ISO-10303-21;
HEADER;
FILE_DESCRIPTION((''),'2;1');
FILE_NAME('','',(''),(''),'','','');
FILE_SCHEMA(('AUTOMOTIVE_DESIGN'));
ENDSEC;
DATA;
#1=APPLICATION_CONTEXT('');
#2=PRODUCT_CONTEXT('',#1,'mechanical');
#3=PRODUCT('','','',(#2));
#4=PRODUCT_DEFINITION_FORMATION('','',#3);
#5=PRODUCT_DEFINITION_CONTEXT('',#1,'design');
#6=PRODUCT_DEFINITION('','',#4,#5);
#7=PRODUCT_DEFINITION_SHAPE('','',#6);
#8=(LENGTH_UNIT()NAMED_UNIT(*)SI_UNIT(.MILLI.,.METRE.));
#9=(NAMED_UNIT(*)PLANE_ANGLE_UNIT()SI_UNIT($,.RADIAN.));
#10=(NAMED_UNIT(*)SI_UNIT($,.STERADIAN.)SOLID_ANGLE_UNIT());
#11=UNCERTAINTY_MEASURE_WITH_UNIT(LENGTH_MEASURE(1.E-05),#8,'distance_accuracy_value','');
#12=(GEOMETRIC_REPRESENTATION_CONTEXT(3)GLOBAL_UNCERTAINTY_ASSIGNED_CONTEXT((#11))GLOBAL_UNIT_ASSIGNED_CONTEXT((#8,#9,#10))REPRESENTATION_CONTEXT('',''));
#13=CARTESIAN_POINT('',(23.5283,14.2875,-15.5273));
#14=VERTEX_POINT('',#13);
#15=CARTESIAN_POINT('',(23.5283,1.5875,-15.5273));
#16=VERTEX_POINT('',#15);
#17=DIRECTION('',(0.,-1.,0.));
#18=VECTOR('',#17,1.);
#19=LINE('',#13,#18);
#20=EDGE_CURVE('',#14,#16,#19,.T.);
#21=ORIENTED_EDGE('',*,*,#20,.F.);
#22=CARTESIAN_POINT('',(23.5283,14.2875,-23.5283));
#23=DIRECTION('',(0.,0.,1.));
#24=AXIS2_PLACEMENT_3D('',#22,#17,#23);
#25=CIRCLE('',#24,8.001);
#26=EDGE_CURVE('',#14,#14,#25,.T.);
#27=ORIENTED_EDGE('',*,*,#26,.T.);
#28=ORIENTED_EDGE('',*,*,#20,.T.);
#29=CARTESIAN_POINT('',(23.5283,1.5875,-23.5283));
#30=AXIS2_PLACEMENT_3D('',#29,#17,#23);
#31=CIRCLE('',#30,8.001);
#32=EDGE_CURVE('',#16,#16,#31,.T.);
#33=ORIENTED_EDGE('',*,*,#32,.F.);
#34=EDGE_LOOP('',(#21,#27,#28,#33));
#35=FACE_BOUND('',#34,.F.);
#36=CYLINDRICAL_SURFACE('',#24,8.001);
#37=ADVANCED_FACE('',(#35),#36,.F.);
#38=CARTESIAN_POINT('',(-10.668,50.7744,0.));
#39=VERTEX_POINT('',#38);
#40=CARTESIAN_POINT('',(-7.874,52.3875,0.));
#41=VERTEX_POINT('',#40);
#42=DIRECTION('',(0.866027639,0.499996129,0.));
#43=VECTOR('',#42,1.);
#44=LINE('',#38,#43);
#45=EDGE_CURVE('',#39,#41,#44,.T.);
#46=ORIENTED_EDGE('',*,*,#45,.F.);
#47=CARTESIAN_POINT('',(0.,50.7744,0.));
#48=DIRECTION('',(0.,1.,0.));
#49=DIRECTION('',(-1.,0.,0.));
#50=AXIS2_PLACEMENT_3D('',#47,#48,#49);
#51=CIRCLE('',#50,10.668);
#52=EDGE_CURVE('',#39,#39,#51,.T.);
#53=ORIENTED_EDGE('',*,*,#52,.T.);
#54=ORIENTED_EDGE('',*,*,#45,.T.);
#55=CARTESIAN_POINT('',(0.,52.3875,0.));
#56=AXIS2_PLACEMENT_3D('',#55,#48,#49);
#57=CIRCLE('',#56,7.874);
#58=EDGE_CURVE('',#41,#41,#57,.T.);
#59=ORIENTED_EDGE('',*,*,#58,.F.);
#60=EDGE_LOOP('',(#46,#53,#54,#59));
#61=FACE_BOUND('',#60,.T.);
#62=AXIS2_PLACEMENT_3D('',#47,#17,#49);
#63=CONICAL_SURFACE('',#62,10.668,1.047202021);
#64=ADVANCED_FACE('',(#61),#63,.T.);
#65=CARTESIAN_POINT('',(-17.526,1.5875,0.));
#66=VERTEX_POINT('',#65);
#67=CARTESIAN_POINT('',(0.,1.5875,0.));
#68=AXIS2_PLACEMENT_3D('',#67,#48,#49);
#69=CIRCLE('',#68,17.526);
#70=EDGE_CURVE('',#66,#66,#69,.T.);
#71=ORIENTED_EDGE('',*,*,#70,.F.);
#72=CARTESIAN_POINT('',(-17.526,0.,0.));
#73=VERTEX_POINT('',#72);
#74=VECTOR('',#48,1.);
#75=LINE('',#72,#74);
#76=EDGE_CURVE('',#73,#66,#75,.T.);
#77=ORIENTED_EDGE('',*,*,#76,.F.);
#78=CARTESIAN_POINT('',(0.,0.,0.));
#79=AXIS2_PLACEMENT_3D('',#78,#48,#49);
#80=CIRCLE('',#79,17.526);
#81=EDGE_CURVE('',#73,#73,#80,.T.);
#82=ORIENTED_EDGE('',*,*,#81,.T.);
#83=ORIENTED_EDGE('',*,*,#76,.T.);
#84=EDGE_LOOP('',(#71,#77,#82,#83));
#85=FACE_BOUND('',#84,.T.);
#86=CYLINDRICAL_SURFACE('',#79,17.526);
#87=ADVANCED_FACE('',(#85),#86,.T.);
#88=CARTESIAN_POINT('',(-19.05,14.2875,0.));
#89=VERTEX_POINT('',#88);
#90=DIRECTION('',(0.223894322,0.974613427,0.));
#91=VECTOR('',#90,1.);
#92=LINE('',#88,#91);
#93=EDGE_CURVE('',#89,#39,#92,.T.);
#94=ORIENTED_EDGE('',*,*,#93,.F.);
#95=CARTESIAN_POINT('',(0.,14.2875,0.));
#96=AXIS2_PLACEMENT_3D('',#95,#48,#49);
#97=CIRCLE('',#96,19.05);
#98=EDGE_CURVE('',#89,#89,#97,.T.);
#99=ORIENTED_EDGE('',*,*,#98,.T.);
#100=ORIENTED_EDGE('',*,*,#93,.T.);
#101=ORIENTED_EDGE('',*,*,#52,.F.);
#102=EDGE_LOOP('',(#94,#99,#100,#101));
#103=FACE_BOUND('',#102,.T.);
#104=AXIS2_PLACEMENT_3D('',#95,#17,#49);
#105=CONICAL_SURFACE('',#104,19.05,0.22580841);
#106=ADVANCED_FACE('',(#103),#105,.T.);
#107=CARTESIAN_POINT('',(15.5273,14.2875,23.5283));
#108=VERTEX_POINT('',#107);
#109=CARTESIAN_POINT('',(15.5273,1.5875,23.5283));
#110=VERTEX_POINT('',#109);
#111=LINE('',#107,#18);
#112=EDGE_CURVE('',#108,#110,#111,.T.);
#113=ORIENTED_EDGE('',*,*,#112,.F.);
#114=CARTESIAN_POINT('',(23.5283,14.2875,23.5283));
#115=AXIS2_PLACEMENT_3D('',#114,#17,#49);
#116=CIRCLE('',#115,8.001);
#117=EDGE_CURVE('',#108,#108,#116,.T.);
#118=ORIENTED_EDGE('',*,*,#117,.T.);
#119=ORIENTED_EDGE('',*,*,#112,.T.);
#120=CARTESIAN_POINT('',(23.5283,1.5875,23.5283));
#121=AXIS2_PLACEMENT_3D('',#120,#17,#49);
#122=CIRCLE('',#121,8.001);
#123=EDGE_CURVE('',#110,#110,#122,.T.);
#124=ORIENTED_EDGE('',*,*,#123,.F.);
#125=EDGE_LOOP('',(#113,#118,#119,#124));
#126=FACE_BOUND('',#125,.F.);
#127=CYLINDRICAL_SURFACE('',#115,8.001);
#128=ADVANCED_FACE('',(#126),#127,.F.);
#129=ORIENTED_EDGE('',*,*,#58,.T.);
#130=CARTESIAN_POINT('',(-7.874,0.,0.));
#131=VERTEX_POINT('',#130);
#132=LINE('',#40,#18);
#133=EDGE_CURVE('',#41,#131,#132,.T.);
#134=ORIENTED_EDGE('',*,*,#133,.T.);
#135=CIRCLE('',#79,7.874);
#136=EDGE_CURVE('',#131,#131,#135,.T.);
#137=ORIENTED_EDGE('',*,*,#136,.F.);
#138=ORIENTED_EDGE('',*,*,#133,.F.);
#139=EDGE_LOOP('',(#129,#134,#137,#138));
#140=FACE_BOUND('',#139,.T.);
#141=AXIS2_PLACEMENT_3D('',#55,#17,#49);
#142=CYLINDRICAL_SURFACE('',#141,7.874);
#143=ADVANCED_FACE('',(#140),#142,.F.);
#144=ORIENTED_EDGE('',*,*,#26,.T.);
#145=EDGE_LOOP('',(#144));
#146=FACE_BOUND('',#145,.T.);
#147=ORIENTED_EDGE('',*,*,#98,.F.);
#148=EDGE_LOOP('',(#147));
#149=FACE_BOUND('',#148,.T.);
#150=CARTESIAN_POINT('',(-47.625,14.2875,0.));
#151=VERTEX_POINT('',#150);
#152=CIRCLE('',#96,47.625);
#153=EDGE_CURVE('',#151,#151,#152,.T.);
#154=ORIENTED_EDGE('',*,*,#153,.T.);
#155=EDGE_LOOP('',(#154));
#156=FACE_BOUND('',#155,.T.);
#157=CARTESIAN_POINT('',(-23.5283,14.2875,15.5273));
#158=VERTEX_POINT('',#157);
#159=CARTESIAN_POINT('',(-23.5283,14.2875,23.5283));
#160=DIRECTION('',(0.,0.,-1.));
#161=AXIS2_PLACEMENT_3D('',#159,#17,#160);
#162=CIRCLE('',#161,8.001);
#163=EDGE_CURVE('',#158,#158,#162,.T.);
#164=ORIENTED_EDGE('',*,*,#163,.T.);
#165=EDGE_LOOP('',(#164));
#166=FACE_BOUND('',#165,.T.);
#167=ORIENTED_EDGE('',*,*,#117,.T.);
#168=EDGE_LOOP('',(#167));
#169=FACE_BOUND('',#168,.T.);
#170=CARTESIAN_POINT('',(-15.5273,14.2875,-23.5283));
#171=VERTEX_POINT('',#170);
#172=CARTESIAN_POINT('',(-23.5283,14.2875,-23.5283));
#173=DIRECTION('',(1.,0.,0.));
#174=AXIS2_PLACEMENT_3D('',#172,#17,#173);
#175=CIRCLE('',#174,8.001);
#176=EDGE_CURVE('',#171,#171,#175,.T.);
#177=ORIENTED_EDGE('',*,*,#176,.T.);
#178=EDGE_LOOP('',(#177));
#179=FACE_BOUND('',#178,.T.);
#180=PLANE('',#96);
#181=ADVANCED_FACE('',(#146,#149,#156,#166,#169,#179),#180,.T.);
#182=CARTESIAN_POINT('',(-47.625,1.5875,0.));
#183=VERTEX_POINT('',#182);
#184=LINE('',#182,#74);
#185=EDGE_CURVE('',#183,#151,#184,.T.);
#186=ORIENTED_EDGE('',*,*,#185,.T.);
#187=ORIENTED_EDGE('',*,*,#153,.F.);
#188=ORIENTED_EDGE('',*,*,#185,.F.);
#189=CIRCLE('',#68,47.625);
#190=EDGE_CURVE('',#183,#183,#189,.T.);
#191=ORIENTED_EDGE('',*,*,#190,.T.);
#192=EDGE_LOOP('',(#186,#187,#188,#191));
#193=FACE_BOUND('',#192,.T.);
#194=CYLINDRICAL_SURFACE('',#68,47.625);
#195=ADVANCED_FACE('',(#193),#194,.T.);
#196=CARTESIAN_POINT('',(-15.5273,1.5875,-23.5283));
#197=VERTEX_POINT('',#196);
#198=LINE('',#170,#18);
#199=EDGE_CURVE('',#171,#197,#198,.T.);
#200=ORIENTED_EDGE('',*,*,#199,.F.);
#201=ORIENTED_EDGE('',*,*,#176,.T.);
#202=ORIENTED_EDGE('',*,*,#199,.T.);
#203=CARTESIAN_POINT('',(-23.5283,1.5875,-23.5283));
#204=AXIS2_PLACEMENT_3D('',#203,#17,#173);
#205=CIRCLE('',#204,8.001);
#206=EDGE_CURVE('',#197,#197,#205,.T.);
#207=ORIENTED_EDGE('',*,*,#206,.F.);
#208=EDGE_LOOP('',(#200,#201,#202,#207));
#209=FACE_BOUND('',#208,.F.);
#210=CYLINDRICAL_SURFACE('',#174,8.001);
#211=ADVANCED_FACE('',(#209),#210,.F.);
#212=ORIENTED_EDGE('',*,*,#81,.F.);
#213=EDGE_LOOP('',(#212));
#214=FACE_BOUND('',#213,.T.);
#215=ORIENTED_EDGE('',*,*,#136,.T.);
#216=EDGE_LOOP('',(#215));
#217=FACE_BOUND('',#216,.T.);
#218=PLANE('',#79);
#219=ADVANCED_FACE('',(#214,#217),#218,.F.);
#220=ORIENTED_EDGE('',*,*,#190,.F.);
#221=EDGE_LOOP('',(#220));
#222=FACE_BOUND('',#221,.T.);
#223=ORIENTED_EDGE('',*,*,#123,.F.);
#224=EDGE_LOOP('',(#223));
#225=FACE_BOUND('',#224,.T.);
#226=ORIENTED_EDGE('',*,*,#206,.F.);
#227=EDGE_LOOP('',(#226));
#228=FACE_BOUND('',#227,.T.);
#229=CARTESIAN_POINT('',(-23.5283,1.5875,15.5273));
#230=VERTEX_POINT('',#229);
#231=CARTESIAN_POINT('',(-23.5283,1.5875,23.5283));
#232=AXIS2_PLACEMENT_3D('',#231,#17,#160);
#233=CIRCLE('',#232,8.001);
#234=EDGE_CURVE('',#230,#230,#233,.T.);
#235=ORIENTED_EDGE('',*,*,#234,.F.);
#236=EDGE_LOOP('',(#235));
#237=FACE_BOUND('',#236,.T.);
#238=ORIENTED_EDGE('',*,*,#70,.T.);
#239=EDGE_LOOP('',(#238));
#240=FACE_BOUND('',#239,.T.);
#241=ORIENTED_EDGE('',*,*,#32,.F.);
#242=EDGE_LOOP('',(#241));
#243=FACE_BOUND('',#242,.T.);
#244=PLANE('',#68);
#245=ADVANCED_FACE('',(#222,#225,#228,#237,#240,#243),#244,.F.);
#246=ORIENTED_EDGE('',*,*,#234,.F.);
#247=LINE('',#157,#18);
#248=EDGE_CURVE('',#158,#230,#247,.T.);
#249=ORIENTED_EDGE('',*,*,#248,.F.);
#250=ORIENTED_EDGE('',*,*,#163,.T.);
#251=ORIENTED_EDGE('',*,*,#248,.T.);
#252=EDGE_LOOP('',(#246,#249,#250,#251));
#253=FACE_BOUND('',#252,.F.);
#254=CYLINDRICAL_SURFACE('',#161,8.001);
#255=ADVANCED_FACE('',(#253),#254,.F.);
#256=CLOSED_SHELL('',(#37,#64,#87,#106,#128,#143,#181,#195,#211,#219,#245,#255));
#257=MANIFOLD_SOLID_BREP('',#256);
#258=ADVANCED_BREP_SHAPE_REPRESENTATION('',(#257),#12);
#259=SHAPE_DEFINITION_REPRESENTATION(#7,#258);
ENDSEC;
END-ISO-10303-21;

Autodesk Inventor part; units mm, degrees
ref_plane "YZ Plane" through (0, 0, 0) normal (1, 0, 0) x (0, 1, 0)
ref_plane "XZ Plane" through (0, 0, 0) normal (0, 1, 0) x (-1, 0, 0)
ref_plane "XY Plane" through (0, 0, 0) normal (0, 0, 1) x (1, 0, 0)
sketch "Sketch1" plane through (0, 0, 0) normal (0, 0, 1) x (1, 0, 0)
  line L0 (0, 0) -> (0, 52.3875) construction
  line L1 (-7.874, 52.3875) -> (-7.874, 0)
  line L2 (-7.874, 0) -> (-17.526, 0)
  line L3 (-17.526, 0) -> (-17.526, 1.5875)
  line L4 (-17.526, 1.5875) -> (-47.625, 1.5875)
  line L5 (-47.625, 1.5875) -> (-47.625, 14.2875)
  line L6 (-47.625, 14.2875) -> (-19.05, 14.2875)
  line L7 (-19.05, 14.2875) -> (-10.668, 50.7744)
  line L8 (-10.668, 50.7744) -> (-7.874, 52.3875)
  line L9 (-33.274, 14.2875) -> (-33.274, 1.5875) construction
  dimension "WB" = 15.748
  dimension "d1" = 1.5875
  dimension "WL" = 50.8
  dimension "Thickness" = 12.7
  dimension "R" = 35.052
  dimension "OD" = 95.25
  dimension "HB" = 38.1
  dimension "HT" = 21.336
  dimension "d8" = 60
  dimension "BC" = 66.548
revolve "Revolution1" add sketch "Sketch1" angle 360 about axis through (0, 0, 0) along (0, 1, 0)
sketch "Sketch2" plane through (0, 14.2875, 0) normal (0, 1, 0) x (1, 0, 0)
  line L0 (0, 0) -> (0, 47.625) construction
  circle A0 centre (0, 0) radius 47.625 projected
  line L1 (0, 0) -> (23.5283, 23.5283) construction
  dimension "d11" = 45
  dimension "d12" = 33.274
hole "Hole1" at (23.5283, 14.2875, -23.5283) direction (0, -1, 0) diameter 16.002 depth 12.7
pattern_circular "Circular Pattern1" count 4 over 360 about axis through (0, -10, 0) along (0, 1, 0) of "Hole1"
equation "\"d12\" = 0.5 * BC"
properties part number "ANSI-B300-0.5W"
